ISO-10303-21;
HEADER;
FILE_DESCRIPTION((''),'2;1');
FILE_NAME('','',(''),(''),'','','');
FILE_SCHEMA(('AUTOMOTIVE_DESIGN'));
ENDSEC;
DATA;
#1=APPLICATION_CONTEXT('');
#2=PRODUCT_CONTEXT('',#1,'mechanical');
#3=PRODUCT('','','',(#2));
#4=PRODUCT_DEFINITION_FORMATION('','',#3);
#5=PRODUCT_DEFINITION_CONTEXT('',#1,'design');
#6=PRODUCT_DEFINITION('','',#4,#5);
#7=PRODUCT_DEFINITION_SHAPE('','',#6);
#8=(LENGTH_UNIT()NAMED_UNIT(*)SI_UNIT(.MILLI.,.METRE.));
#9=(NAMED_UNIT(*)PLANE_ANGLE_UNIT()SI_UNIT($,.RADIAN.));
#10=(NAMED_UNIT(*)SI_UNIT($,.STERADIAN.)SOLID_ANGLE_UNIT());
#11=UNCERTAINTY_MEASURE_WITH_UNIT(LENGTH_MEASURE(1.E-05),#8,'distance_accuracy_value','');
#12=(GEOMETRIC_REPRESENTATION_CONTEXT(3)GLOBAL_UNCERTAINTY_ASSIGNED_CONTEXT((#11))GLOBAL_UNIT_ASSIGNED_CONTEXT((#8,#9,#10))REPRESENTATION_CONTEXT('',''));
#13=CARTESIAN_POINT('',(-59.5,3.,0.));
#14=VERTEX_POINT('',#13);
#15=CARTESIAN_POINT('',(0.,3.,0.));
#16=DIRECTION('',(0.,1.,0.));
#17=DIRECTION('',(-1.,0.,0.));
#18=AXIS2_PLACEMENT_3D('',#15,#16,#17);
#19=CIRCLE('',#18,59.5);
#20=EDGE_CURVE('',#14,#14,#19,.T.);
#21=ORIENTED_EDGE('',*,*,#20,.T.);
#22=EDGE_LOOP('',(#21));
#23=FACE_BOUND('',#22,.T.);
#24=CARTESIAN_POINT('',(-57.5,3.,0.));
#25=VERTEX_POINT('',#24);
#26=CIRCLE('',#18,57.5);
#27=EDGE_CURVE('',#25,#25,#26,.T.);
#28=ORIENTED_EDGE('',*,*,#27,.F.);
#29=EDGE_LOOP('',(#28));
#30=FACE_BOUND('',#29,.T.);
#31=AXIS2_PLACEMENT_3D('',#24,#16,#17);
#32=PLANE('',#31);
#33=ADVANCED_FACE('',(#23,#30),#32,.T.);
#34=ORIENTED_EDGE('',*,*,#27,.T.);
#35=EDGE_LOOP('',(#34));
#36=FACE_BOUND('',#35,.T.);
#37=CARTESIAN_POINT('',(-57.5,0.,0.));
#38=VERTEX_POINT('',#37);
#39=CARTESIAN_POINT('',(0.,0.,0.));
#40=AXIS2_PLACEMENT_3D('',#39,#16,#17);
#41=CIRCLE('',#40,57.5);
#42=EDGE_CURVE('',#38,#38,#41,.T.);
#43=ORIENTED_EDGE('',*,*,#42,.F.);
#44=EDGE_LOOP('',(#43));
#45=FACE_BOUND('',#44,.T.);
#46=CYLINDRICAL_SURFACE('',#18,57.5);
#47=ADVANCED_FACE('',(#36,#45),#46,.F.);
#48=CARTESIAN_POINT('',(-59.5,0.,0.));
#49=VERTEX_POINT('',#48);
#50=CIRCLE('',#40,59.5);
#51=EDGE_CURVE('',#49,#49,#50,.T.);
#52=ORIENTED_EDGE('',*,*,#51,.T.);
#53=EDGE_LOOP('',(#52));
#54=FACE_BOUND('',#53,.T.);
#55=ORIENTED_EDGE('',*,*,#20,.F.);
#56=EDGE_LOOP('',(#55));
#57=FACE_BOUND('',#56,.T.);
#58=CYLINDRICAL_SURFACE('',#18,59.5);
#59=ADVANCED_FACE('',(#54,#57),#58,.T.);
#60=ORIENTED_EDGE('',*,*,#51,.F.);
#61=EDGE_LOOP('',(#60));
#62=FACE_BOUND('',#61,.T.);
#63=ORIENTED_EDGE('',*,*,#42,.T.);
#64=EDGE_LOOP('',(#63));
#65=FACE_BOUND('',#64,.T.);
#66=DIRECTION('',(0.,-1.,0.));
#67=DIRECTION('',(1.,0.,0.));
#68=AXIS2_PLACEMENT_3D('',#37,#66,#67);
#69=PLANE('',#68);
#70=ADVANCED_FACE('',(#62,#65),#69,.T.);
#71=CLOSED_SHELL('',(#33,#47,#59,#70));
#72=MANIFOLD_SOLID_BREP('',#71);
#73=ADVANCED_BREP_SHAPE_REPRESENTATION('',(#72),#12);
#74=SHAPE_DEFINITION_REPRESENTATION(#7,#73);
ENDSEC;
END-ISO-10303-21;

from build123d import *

# Parameters (mm, degrees)
ESQUISSE1_W = 2
ESQUISSE1_H = 3


with BuildPart() as part:
    # Esquisse1 → Révolution1 (revolve)
    with BuildSketch(Plane.XY):
        with Locations((-58.5, 1.5)):
            Rectangle(ESQUISSE1_W, ESQUISSE1_H)
    revolve(axis=Axis((0, 3, 0), (0, -1, 0)))


solid = part.part
